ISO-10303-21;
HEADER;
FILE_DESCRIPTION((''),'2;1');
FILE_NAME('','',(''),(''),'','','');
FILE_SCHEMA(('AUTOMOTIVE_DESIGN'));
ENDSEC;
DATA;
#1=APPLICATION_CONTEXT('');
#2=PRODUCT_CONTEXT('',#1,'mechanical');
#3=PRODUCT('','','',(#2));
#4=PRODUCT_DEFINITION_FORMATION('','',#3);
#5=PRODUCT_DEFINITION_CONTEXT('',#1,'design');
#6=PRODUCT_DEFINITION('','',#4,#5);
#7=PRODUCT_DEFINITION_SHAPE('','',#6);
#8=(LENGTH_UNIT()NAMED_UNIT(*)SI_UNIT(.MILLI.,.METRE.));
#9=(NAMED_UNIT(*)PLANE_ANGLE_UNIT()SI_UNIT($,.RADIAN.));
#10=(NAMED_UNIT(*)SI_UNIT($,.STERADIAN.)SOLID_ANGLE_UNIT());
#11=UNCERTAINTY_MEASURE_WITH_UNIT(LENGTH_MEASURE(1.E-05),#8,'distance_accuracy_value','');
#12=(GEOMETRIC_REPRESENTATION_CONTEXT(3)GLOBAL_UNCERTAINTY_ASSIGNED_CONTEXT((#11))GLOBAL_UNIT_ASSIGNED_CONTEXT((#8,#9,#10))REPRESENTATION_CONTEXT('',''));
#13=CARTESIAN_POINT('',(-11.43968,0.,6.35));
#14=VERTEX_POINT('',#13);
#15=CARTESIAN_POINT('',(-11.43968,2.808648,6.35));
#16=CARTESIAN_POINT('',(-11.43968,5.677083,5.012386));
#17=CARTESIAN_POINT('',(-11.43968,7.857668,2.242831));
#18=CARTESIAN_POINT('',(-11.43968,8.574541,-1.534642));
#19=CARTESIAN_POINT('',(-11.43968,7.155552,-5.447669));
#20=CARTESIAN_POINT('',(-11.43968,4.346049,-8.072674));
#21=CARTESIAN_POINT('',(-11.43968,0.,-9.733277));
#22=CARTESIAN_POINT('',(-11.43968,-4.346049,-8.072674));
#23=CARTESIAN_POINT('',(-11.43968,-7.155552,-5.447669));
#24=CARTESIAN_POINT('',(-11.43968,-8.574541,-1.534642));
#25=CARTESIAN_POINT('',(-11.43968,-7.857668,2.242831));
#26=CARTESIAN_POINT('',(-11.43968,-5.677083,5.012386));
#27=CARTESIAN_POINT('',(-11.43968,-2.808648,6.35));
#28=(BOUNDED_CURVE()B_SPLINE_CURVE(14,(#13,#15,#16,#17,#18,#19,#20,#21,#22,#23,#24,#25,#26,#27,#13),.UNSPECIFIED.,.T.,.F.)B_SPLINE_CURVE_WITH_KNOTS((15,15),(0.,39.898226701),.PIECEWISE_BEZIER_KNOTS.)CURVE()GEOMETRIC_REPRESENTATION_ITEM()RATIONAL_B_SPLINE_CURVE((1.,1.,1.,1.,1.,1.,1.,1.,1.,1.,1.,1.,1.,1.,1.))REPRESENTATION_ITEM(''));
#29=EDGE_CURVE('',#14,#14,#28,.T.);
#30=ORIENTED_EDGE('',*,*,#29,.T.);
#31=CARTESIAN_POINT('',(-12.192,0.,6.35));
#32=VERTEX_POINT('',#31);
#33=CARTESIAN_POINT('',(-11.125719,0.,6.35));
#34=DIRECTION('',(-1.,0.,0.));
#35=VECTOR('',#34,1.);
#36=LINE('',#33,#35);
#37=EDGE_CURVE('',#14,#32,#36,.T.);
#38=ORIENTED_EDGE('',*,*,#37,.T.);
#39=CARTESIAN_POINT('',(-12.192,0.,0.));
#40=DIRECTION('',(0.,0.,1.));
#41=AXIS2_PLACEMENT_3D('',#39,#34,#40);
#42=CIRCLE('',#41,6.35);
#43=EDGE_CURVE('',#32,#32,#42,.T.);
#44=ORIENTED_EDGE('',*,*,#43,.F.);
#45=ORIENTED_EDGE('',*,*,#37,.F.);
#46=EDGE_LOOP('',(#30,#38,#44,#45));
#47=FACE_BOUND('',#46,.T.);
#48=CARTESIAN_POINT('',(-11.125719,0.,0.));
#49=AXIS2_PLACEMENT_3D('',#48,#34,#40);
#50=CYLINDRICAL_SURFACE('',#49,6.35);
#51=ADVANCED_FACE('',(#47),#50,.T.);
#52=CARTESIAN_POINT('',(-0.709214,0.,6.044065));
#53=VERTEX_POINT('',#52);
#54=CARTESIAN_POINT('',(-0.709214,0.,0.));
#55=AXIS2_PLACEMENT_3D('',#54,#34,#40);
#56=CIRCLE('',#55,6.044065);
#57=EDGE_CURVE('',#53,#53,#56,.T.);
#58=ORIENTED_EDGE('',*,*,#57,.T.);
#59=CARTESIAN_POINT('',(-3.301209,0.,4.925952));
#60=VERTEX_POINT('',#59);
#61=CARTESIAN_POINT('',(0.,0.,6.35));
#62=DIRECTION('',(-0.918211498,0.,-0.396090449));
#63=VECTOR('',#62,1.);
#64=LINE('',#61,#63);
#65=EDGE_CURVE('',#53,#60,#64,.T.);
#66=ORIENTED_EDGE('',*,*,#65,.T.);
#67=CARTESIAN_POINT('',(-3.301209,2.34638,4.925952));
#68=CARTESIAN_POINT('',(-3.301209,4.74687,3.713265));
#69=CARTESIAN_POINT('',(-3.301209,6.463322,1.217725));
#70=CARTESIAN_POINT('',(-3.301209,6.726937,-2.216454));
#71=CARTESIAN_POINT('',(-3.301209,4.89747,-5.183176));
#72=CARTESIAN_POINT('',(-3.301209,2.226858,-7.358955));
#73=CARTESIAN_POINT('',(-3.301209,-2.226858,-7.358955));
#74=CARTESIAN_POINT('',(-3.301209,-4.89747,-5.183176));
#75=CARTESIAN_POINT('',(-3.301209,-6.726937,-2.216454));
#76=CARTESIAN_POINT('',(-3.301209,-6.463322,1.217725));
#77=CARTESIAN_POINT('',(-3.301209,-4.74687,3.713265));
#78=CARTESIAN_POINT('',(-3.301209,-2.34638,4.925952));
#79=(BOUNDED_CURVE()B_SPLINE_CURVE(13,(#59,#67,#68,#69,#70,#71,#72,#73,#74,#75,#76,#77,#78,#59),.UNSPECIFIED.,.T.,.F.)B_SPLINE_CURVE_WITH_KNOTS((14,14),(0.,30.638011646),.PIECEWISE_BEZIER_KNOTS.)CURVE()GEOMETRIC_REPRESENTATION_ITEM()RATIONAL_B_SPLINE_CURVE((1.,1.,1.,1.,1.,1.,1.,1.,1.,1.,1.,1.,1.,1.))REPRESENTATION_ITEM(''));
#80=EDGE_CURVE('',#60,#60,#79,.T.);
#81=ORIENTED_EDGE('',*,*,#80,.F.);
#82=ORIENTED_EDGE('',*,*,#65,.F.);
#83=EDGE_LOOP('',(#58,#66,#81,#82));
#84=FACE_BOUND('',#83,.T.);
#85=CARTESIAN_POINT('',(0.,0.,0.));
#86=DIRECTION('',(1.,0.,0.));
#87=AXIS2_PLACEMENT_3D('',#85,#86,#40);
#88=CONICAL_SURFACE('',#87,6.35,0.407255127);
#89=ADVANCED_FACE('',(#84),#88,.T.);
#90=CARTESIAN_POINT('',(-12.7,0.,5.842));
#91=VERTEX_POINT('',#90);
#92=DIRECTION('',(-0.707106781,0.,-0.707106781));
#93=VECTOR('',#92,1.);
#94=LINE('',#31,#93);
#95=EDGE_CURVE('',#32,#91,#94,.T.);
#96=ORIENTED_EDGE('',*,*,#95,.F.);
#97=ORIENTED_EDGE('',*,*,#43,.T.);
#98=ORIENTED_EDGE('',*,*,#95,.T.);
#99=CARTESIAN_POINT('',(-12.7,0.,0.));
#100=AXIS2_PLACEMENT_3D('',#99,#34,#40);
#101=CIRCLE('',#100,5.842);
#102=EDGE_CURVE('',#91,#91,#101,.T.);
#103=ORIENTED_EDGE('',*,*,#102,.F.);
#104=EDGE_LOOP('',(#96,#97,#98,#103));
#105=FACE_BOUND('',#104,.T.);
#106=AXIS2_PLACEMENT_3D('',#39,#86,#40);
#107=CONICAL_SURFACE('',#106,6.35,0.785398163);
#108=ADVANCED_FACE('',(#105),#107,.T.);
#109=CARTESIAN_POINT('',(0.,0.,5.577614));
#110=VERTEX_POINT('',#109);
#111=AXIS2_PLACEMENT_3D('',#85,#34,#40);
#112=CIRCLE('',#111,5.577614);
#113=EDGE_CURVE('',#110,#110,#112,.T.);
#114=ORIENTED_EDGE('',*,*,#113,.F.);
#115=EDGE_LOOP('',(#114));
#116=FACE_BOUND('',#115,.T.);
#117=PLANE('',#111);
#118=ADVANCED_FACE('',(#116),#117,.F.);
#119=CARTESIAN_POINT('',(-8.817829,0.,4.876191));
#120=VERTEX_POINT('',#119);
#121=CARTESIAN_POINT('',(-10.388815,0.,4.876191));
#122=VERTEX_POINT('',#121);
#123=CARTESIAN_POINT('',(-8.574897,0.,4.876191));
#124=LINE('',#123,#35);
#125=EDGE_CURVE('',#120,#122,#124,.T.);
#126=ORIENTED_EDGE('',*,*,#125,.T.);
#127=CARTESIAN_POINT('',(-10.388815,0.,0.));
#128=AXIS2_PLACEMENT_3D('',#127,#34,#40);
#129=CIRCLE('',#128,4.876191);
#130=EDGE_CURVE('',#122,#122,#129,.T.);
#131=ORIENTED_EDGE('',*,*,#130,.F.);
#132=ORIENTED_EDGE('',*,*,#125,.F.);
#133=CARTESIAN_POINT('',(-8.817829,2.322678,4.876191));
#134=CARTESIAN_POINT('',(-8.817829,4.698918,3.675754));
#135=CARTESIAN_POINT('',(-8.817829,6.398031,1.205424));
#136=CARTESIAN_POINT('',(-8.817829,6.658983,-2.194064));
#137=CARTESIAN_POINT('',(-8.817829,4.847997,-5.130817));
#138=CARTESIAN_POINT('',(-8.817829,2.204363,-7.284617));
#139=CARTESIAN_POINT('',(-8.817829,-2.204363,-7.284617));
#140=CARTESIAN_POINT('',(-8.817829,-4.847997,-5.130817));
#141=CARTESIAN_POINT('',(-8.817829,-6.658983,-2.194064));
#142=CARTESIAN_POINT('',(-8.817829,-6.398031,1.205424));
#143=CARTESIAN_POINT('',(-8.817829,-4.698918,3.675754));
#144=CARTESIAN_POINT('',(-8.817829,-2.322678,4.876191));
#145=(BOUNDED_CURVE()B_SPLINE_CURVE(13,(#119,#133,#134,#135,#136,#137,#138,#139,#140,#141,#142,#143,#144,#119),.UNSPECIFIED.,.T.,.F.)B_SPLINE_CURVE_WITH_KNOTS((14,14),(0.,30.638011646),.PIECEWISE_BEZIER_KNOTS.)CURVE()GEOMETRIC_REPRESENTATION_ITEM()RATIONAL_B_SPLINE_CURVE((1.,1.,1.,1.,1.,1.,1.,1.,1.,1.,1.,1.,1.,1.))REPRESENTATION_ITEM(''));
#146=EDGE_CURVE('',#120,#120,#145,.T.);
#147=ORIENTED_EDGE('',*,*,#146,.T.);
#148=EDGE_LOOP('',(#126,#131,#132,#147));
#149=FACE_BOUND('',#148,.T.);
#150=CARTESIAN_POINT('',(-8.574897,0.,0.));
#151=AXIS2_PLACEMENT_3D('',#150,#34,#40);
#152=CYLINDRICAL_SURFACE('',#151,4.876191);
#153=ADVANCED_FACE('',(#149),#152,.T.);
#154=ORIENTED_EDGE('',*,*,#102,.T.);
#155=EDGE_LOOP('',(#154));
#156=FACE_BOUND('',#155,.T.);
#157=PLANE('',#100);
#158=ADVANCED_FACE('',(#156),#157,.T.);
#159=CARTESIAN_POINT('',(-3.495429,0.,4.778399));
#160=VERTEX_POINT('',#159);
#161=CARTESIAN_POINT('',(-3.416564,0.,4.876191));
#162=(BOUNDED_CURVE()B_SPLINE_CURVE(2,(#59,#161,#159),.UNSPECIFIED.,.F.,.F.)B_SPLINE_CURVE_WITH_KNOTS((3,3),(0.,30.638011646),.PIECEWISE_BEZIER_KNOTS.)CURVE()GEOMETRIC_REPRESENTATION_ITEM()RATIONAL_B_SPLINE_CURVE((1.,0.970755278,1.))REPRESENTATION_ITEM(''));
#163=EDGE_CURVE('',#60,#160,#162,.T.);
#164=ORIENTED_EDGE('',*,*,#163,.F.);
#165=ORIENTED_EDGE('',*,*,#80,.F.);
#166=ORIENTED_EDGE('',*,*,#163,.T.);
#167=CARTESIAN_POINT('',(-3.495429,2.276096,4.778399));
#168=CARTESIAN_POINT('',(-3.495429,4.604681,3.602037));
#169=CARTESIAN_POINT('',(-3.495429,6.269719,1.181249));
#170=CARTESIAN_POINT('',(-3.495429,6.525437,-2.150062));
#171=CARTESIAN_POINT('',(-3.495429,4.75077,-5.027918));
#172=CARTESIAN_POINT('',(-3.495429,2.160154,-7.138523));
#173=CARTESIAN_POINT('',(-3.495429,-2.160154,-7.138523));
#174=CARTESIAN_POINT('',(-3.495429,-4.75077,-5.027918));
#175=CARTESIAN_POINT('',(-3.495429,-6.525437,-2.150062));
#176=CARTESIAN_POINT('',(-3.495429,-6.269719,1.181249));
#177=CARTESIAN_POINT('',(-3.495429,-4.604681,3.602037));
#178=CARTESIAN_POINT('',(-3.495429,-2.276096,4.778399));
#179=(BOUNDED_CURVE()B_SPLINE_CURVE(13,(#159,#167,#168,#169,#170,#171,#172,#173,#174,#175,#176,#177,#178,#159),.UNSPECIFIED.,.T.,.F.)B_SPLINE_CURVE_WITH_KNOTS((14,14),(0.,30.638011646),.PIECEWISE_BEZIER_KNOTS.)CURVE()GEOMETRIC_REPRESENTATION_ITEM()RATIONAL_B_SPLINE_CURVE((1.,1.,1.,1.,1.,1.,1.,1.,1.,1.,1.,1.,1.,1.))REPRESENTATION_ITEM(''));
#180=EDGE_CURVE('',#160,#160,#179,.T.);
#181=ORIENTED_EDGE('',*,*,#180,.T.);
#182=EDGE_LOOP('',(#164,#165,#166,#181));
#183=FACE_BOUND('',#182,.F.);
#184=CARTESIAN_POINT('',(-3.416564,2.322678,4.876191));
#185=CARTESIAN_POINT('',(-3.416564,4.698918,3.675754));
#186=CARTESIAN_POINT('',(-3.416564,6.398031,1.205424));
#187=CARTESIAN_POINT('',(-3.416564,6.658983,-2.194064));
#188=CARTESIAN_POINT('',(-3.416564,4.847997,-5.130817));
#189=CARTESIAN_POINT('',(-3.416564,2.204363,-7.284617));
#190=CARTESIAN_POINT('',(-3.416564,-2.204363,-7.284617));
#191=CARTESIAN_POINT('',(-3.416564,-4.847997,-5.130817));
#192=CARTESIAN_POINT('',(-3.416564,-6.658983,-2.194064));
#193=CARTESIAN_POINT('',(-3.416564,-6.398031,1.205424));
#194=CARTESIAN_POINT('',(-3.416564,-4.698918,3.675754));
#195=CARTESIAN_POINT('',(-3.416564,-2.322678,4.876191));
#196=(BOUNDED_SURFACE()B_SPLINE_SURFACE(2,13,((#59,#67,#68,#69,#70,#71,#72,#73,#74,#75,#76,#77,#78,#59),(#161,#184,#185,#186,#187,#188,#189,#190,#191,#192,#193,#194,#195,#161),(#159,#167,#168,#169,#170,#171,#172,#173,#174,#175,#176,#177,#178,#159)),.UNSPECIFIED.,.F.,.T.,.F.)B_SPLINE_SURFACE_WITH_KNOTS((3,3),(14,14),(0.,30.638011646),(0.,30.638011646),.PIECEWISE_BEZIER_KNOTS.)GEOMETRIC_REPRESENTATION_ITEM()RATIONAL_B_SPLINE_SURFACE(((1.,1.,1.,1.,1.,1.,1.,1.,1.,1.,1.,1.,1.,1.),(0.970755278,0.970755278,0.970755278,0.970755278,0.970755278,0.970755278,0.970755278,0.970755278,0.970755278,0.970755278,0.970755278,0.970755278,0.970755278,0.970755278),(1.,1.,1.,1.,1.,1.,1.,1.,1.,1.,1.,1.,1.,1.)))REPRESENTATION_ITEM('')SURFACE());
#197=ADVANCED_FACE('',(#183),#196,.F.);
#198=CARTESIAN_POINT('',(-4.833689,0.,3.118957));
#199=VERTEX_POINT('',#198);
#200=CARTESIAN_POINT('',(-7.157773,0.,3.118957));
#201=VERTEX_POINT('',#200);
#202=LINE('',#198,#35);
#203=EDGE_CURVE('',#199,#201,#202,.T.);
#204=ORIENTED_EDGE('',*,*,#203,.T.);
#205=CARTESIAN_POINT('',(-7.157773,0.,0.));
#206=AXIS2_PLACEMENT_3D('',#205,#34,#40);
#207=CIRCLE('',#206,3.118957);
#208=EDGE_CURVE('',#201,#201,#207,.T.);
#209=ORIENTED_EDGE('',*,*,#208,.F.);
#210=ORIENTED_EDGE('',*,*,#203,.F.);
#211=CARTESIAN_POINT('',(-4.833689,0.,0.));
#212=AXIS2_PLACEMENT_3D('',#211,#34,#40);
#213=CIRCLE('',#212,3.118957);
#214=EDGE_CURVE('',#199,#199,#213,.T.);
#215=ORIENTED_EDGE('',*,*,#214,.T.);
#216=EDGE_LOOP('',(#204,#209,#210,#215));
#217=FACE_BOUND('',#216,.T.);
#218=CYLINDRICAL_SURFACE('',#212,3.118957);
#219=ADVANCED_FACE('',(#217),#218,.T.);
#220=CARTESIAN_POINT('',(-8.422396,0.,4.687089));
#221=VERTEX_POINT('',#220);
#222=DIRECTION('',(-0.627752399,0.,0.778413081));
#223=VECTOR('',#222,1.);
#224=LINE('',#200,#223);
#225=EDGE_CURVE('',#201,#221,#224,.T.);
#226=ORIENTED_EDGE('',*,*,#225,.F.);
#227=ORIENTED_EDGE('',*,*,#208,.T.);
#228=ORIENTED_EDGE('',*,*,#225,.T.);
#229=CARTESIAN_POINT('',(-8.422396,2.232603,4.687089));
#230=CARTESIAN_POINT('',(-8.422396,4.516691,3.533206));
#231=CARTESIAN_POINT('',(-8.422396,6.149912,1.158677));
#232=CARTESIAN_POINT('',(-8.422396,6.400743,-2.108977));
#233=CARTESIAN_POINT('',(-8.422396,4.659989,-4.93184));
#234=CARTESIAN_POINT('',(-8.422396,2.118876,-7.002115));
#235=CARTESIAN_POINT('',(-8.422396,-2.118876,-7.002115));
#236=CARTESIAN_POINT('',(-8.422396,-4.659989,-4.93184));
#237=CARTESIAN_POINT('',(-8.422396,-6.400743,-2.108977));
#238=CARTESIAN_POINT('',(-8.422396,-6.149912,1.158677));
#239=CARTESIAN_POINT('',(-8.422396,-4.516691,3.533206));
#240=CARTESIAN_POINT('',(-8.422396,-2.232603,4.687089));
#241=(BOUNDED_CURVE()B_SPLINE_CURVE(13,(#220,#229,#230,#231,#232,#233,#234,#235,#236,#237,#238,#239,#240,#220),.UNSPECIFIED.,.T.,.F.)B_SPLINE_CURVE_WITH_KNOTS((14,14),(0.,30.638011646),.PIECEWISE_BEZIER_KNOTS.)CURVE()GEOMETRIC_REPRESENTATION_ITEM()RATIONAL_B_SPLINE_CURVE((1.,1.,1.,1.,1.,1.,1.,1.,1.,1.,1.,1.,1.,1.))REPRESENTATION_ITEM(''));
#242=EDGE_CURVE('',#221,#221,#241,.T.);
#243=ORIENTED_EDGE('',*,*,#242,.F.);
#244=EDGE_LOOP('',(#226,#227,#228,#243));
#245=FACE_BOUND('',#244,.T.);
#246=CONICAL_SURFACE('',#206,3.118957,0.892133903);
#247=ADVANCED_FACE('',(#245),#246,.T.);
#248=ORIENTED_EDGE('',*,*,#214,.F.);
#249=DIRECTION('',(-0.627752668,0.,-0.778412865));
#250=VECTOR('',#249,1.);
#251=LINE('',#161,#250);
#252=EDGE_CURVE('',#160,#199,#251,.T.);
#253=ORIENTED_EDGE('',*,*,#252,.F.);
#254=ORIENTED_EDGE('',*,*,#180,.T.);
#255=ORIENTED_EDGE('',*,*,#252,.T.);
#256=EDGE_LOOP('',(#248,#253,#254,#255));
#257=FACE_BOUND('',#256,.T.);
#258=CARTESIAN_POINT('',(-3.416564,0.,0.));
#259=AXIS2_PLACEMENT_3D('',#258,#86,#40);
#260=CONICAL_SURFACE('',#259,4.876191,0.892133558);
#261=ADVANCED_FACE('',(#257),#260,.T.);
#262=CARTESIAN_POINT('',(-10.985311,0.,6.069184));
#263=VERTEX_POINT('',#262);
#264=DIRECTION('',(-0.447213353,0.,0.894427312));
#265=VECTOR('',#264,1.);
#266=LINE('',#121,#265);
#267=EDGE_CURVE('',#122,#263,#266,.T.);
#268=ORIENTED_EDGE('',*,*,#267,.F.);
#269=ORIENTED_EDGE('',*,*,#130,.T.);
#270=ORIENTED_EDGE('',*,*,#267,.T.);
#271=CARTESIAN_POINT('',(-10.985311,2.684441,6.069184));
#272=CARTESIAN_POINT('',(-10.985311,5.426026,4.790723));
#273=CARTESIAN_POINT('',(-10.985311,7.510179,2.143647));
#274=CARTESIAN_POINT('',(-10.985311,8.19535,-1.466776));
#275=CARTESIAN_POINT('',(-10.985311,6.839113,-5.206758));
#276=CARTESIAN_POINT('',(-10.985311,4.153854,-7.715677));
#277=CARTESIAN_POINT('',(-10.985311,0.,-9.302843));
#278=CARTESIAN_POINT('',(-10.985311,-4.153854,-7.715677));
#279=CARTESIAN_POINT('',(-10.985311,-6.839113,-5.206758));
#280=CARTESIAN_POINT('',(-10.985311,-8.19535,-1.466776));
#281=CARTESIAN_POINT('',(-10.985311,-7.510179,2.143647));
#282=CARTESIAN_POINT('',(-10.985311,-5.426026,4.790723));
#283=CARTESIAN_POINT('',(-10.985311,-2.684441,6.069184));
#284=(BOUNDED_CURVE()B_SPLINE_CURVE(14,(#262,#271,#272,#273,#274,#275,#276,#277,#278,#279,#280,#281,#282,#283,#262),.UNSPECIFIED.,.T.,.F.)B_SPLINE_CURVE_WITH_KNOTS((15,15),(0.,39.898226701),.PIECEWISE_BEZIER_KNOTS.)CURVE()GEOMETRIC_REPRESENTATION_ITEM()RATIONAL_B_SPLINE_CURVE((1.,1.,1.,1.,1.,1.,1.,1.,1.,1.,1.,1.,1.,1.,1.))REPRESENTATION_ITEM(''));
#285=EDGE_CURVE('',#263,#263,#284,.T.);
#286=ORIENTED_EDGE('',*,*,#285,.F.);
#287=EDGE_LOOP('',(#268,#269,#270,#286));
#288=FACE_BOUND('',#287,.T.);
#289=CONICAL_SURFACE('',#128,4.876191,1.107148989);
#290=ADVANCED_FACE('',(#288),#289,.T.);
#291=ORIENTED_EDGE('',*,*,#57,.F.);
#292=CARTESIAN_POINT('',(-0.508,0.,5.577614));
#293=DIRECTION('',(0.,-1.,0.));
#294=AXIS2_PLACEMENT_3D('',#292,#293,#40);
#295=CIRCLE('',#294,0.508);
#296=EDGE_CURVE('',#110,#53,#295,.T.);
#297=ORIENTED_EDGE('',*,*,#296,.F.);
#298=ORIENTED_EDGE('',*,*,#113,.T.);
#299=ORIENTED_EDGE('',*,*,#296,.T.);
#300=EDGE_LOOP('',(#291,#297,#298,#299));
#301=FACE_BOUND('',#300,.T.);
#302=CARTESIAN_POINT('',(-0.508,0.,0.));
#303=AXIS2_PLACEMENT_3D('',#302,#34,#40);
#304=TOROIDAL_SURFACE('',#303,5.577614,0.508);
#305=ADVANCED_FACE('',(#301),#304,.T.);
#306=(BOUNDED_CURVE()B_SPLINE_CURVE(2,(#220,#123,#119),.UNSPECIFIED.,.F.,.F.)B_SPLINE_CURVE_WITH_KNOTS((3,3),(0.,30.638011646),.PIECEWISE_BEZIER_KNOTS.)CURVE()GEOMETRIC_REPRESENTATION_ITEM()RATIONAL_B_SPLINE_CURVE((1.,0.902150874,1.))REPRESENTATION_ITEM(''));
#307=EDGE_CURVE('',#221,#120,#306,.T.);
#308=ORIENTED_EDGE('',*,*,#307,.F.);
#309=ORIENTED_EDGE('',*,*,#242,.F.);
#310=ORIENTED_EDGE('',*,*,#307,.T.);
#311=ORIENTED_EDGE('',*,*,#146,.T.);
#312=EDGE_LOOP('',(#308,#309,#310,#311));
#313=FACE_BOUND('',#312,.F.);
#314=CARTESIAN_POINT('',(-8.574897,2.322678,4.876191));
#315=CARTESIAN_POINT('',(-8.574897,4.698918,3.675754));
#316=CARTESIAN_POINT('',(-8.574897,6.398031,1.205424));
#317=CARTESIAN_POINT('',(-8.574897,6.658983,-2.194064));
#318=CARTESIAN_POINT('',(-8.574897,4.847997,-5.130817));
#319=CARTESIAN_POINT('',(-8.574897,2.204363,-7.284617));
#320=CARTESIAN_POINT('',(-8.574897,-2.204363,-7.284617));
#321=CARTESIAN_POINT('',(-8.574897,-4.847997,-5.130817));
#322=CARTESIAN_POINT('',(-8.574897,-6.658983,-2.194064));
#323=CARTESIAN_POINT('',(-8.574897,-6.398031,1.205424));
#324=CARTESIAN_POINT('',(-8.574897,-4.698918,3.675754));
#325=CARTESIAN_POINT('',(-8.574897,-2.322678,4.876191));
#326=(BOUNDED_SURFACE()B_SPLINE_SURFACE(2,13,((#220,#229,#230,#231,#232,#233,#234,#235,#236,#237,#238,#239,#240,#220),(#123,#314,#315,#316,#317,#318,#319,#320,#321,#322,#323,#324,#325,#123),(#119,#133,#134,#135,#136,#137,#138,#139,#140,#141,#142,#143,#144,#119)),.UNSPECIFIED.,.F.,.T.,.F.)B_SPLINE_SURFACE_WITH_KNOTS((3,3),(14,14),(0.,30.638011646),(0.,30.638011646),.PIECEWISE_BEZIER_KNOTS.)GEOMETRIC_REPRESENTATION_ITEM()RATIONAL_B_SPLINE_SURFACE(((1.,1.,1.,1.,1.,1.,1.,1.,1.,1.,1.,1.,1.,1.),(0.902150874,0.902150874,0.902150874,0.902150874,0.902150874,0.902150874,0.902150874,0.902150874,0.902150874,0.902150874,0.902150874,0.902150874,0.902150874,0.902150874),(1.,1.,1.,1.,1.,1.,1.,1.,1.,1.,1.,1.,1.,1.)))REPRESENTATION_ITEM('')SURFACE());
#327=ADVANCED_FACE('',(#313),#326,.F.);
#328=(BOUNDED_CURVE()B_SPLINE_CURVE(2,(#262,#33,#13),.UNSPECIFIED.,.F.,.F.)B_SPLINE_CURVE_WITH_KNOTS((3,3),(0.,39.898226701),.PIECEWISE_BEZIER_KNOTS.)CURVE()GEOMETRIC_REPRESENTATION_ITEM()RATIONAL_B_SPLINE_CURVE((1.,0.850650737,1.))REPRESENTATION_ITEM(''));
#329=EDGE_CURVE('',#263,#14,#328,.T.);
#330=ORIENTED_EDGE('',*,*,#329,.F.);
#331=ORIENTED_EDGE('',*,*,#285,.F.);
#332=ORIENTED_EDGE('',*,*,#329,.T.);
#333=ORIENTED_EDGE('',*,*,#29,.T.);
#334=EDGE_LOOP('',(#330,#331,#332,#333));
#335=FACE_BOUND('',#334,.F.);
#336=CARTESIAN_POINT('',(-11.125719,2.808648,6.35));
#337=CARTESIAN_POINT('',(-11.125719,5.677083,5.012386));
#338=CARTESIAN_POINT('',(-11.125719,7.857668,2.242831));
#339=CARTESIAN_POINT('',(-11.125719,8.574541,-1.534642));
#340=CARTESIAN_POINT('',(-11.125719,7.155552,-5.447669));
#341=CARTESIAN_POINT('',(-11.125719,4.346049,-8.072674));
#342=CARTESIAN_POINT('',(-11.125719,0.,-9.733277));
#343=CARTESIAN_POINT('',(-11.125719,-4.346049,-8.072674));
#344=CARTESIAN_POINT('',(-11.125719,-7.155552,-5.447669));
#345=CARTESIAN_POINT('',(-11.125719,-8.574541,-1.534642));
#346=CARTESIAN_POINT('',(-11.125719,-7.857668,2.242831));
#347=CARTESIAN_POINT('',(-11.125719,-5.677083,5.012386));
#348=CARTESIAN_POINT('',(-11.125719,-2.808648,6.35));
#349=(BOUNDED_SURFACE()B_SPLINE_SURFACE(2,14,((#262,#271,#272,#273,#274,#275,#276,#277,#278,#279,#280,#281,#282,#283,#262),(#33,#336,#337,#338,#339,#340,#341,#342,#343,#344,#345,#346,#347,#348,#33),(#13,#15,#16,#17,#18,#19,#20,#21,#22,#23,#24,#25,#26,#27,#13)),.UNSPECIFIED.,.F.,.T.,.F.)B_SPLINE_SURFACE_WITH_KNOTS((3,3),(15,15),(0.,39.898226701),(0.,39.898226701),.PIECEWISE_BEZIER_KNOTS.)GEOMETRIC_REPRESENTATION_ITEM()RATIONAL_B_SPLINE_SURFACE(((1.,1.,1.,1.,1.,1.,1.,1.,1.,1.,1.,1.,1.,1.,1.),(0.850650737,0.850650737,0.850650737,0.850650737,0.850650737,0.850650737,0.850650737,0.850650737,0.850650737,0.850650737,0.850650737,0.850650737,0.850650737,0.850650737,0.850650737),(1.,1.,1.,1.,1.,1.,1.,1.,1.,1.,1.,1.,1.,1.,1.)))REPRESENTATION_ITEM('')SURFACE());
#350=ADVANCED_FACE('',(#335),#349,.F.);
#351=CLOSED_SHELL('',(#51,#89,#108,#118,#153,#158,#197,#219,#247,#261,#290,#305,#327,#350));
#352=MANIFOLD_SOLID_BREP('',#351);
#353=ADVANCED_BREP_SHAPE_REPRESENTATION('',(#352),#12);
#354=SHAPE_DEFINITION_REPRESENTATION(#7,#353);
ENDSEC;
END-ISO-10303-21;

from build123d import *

# Parameters (mm, degrees)
F2_R    = 0.508
F3_SIZE = 0.508


with BuildPart() as f1:
    # F0 (on Front) → F1 (revolve)
    with BuildSketch(Plane.XZ):
        Polygon((-12.7, 0), (0, 0), (0, 6.35), (-3.416564, 4.876191), (-4.833689, 3.118957), (-7.157773, 3.118957), (-8.574897, 4.876191), (-10.388815, 4.876191), (-11.125719, 6.35), (-12.7, 6.35), align=None)
    revolve(axis=Axis((-6.35, 0, 0), (-1, 0, 0)))

    # F2
    f2_edges = [f1.edges().sort_by_distance(p)[0] for p in [
        (0, 0, -6.35),
        (-3.416564, 0, -4.876191),
        (-8.574897, 0, -4.876191),
        (-11.125719, 0, -6.35),
    ]]
    fillet(f2_edges, radius=F2_R)

    # F3
    f3_edges = [f1.edges().sort_by_distance(p)[0] for p in [
        (-12.7, 0, -6.35),
    ]]
    chamfer(f3_edges, length=F3_SIZE)


solid = f1.part
